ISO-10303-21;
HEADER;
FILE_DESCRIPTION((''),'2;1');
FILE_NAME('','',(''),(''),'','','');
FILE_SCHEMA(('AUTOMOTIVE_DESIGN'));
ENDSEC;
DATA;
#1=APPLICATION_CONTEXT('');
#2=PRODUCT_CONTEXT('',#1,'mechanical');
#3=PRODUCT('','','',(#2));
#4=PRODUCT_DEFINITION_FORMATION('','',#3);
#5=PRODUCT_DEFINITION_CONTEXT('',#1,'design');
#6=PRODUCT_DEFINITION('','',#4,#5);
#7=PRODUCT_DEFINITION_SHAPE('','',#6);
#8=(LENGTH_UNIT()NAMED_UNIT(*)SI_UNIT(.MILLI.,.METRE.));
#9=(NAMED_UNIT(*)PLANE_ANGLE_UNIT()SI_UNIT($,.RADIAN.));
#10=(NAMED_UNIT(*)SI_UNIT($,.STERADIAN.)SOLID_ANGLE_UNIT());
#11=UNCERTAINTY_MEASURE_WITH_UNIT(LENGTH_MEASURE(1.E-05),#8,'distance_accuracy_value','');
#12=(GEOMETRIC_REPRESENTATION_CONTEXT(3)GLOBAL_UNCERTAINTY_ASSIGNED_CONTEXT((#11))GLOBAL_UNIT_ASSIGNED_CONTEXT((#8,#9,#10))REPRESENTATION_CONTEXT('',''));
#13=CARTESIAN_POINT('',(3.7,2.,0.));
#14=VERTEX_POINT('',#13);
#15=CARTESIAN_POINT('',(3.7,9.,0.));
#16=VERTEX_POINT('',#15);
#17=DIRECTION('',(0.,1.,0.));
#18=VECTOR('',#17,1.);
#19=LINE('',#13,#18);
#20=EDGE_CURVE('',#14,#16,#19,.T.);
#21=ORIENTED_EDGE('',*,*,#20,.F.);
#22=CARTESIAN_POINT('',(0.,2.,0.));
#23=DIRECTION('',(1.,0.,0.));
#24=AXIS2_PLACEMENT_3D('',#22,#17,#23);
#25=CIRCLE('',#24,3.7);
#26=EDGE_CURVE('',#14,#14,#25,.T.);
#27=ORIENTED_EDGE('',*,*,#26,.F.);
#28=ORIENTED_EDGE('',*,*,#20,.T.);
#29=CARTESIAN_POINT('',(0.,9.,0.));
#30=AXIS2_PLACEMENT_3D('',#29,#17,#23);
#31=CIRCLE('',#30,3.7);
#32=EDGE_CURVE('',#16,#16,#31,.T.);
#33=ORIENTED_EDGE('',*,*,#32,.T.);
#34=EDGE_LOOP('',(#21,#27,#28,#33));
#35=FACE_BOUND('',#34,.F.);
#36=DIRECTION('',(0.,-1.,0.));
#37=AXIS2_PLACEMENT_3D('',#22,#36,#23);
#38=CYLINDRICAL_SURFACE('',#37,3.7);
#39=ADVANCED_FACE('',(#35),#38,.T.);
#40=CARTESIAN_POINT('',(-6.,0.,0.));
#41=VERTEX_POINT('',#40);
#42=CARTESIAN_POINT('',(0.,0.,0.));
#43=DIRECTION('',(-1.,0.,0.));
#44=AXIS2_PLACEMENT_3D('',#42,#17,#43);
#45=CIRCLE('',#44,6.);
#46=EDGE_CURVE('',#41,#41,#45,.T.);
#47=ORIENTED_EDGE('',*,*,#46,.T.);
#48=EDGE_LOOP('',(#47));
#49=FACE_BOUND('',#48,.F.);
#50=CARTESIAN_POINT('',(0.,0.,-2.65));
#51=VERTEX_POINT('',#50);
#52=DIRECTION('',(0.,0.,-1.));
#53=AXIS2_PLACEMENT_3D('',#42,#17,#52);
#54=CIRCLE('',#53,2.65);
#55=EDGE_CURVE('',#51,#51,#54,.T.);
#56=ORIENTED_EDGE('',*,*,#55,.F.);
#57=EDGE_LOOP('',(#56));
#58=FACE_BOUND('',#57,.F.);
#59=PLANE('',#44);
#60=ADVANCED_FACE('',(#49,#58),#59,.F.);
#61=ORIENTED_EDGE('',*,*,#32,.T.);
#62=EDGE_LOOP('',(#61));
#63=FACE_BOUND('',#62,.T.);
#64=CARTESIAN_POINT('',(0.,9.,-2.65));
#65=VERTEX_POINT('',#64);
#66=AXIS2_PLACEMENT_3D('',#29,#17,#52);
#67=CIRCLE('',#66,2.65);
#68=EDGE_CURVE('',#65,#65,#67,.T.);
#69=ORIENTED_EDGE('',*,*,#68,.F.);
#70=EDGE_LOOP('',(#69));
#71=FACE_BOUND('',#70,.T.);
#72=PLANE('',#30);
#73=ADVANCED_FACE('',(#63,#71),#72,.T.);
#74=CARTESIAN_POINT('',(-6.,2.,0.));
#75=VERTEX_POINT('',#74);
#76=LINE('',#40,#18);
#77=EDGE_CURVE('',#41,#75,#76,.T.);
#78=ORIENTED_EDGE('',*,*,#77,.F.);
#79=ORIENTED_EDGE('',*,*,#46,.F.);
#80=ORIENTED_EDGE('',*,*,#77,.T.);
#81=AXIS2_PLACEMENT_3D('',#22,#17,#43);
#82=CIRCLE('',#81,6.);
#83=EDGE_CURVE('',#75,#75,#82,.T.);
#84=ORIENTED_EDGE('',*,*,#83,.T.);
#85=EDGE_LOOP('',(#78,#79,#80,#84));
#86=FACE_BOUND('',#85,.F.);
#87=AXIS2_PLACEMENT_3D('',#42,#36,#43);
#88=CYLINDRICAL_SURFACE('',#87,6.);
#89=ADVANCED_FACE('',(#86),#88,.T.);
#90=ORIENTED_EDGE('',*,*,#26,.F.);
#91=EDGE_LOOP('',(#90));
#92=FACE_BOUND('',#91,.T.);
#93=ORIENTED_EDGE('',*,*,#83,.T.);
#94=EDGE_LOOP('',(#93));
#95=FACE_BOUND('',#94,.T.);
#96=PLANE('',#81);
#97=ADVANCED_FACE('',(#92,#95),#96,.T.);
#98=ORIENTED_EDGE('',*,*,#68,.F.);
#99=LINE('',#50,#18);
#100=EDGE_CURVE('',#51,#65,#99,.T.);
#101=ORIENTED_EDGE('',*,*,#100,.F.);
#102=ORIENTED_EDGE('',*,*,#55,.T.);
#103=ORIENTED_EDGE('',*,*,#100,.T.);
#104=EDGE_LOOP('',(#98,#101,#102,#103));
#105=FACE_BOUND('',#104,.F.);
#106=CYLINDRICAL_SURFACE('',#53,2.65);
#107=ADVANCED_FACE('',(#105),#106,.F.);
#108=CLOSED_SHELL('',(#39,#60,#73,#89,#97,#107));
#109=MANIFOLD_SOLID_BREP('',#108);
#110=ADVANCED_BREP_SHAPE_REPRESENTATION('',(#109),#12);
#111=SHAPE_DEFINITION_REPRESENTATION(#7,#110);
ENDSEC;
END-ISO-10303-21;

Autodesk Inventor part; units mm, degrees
ref_plane "YZ Plane" through (0, 0, 0) normal (1, 0, 0) x (0, 1, 0)
ref_plane "XZ Plane" through (0, 0, 0) normal (0, 1, 0) x (-1, 0, 0)
ref_plane "XY Plane" through (0, 0, 0) normal (0, 0, 1) x (1, 0, 0)
sketch "Sketch1" plane through (0, 0, 0) normal (0, 1, 0) x (-1, 0, 0)
  circle A0 centre (0, 0) radius 6
  dimension "d0" = 12
extrude "Extrusion1" add sketch "Sketch1" along normal blind 2
sketch "Sketch2" plane through (0, 2, 0) normal (0, 1, 0) x (1, 0, 0)
  circle A0 centre (0, 0) radius 6 construction
  circle A1 centre (0, 0) radius 3.7
  dimension "d3" = 7.4
extrude "Extrusion2" add sketch "Sketch2" along normal blind 7
sketch "Sketch3" plane through (0, 0, 0) normal (0, -1, 0) x (1, 0, 0)
  circle A0 centre (0, 0) radius 6 construction
hole "Hole1" at (0, 0, 0) direction (0, 1, 0) diameter 5.3 end through all
equation "\"d1\" = SPACING"
equation "\"SPACING\" = 2"
properties part number "BearingSpacer"
